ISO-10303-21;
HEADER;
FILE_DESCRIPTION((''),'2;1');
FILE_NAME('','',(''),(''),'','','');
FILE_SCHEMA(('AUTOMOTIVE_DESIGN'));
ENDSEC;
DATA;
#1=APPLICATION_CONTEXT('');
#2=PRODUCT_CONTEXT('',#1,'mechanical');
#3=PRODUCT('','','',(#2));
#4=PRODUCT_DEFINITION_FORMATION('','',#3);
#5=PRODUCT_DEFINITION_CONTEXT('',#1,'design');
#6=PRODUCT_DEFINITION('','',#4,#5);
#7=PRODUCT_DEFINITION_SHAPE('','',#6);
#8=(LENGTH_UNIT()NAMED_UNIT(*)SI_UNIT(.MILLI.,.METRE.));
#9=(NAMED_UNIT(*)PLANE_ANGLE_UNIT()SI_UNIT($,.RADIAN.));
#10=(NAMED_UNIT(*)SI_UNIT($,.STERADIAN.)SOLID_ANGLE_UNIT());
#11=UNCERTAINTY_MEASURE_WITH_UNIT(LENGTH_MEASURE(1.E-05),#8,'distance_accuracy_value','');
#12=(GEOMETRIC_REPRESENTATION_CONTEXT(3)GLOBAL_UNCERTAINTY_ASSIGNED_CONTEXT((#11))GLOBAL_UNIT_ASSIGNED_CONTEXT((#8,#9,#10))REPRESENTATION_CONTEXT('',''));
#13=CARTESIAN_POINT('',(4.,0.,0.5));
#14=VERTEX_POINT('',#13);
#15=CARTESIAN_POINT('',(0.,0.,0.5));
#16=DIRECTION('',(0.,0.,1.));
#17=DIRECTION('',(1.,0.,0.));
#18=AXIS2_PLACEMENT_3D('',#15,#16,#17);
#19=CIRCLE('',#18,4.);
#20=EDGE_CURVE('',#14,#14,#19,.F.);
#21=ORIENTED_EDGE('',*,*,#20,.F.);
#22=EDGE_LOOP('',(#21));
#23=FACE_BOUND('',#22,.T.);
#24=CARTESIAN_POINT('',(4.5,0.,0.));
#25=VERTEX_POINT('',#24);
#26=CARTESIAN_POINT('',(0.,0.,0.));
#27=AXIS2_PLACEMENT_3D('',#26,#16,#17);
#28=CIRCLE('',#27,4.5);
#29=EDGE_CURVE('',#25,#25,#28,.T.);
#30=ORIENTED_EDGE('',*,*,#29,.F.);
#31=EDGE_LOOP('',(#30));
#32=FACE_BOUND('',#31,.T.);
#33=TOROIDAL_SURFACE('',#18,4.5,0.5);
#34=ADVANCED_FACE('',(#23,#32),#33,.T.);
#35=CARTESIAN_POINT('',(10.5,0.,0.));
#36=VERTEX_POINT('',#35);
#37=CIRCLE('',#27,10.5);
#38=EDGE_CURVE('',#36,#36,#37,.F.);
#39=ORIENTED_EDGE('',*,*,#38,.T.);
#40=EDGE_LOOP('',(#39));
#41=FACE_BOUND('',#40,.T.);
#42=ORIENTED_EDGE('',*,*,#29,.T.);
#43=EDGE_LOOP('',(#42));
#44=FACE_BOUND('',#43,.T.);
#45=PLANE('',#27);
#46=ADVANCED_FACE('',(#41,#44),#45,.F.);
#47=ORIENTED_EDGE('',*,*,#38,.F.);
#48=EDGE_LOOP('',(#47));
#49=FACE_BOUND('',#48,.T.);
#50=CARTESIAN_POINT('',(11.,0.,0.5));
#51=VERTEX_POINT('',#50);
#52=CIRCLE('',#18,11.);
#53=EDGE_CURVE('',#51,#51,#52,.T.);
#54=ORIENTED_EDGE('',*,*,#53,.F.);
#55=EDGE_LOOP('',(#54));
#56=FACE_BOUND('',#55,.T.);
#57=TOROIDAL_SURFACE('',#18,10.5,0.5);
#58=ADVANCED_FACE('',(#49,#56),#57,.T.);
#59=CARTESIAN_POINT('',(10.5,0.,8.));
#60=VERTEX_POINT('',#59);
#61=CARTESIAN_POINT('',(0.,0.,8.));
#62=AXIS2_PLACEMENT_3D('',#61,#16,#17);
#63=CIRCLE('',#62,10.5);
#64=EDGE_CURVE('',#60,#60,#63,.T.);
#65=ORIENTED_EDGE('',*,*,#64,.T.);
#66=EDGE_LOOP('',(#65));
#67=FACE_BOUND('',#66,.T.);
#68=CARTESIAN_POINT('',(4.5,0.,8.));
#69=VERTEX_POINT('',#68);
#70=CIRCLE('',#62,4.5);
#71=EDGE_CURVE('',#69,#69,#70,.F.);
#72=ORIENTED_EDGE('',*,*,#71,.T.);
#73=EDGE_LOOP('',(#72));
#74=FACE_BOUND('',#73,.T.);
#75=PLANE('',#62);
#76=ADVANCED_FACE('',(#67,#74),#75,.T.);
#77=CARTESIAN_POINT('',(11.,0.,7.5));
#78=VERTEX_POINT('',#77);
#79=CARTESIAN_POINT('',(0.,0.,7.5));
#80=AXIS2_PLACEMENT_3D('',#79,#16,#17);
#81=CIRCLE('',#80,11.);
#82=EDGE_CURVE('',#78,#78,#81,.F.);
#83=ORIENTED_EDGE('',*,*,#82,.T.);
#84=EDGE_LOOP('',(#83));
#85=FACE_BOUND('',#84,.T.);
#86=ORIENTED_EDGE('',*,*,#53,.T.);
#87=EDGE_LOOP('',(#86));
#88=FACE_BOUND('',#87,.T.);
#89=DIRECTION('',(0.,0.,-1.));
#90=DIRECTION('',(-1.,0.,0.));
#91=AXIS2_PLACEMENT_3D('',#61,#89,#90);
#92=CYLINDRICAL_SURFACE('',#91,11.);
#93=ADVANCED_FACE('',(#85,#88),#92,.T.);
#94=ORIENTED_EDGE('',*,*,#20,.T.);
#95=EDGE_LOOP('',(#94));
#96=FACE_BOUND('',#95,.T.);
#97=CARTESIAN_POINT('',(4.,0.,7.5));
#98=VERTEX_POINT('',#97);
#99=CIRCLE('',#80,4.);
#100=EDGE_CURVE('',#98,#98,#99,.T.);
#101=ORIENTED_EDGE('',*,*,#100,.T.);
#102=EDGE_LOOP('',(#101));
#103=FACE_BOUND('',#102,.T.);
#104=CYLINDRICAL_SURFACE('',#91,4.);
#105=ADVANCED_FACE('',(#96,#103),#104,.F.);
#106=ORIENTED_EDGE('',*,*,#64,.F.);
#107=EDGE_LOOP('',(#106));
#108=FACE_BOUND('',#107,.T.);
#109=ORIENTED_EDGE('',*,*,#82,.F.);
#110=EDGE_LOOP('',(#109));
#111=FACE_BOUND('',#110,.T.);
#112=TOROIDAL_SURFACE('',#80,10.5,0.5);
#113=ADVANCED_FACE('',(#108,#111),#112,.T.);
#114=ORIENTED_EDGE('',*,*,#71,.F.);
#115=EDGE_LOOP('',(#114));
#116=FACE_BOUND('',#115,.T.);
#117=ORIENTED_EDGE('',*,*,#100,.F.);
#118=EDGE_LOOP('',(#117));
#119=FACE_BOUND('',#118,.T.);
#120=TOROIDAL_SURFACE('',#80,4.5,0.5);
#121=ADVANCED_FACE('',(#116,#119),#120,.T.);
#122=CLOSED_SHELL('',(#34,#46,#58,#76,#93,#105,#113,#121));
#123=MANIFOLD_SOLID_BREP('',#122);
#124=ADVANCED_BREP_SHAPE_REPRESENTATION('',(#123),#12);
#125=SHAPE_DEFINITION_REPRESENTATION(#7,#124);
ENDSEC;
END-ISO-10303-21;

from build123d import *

# Parameters (mm, degrees)
ESQUISSE1_R      = 11
ESQUISSE1_R_2    = 4
EXTRUSION1_DEPTH = 8
CONG_1_R         = 0.5


with BuildPart() as part:
    # Esquisse1 → Extrusion1 (new body)
    with BuildSketch(Plane.XY):
        Circle(ESQUISSE1_R)
        Circle(ESQUISSE1_R_2, mode=Mode.SUBTRACT)
    extrude(amount=EXTRUSION1_DEPTH)

    # Congé1
    cong_1_edges = [part.edges().sort_by_distance(p)[0] for p in [
        (-11, 0, 0),
        (-11, 0, 8),
        (-4, 0, 0),
        (-4, 0, 8),
    ]]
    fillet(cong_1_edges, radius=CONG_1_R)


solid = part.part
